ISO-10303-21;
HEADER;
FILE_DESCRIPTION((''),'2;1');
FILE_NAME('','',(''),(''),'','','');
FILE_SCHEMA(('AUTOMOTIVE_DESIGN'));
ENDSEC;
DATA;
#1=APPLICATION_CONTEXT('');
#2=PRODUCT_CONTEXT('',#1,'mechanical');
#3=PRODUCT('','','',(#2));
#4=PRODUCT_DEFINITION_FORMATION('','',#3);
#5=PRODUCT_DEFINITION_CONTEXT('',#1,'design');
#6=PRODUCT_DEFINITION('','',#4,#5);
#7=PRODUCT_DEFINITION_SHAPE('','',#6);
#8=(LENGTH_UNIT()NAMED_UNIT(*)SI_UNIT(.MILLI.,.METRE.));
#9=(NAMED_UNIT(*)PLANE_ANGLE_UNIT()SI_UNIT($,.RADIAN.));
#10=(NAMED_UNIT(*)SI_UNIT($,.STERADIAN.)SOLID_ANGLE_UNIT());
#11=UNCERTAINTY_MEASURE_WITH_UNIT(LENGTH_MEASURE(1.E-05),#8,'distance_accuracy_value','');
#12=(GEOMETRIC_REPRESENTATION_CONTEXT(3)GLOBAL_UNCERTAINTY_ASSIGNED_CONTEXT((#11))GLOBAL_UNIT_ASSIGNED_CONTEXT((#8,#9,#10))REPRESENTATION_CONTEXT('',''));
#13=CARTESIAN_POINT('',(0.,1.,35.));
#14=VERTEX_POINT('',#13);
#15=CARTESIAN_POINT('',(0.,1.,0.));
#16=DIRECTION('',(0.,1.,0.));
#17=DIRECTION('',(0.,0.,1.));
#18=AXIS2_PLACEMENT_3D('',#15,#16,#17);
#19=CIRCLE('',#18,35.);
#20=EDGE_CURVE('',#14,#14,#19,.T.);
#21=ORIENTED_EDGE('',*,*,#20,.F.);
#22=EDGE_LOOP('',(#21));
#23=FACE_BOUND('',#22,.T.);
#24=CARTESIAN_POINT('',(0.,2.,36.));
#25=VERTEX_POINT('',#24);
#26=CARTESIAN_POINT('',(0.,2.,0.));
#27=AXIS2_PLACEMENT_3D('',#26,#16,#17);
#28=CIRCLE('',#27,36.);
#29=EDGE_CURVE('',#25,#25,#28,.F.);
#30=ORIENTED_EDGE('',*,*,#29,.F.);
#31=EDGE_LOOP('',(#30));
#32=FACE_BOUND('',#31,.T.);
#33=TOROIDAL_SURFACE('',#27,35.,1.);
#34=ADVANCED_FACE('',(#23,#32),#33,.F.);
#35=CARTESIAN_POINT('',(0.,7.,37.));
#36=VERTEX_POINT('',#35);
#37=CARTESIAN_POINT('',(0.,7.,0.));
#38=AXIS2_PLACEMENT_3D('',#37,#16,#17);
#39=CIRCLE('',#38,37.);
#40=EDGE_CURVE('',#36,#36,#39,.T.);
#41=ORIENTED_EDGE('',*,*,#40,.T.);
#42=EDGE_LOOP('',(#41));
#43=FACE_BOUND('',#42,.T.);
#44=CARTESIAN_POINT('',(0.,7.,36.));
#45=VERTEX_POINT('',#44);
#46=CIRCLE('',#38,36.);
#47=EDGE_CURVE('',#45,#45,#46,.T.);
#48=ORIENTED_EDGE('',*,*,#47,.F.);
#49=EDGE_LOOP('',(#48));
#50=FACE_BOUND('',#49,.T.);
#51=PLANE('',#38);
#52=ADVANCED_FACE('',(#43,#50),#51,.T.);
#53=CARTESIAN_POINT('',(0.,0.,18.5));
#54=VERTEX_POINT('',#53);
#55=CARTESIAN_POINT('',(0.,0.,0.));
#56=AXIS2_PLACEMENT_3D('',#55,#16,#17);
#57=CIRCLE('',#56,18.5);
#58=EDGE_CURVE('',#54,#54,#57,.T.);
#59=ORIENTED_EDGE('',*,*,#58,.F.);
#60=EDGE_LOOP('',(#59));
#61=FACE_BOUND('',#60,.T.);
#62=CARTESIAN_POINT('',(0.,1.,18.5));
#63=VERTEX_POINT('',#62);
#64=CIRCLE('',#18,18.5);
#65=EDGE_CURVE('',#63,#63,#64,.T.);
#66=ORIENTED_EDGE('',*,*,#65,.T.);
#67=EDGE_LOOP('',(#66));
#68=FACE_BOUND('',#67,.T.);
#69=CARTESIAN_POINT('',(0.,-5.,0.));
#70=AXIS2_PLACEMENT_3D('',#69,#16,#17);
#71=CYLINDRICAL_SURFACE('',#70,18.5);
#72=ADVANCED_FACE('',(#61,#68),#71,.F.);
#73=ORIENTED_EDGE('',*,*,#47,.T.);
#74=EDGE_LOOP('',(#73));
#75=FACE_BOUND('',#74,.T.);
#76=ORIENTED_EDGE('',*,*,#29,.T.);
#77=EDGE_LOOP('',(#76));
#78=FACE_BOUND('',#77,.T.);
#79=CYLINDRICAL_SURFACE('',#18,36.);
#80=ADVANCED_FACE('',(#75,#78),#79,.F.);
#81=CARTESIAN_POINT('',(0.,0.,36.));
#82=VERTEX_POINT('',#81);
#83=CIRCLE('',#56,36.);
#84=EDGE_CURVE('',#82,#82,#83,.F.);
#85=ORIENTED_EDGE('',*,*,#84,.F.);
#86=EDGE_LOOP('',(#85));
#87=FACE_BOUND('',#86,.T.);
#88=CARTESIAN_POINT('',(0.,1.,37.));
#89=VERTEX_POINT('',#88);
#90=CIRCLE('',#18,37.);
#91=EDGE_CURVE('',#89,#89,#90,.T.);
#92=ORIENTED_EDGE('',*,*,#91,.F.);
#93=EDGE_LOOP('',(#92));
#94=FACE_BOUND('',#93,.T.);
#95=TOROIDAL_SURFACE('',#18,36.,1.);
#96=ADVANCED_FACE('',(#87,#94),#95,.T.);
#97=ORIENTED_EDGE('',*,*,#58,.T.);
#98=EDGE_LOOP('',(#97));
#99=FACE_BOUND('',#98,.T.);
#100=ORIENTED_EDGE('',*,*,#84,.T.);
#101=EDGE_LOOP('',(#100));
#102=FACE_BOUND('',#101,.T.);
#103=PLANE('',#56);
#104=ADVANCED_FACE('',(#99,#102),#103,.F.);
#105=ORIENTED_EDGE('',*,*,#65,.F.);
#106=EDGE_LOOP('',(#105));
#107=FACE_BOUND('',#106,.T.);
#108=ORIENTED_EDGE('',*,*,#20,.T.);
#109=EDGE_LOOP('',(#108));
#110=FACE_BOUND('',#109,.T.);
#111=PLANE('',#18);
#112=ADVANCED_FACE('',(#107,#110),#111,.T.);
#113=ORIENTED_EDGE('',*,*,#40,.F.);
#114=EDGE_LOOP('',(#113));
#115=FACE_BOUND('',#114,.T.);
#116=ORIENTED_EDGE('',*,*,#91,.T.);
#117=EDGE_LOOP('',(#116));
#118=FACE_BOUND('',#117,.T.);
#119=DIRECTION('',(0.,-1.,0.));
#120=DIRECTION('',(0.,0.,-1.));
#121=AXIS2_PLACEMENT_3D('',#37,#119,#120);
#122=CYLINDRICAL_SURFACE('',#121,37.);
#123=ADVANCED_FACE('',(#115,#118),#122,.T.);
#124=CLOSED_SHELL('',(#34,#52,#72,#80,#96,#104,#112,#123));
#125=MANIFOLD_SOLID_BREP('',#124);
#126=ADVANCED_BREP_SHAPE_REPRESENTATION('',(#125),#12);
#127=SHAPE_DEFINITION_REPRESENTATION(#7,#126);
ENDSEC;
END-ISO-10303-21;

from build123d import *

# Parameters (mm, degrees)
SKETCH1_R           = 37
BOSS_EXTRUDE1_DEPTH = 7
SKETCH2_R           = 36
CUT_EXTRUDE1_DEPTH  = 6
SKETCH3_R           = 18.5
CUT_EXTRUDE2_DEPTH  = 6
FILLET1_R           = 1


with BuildPart() as part:
    # Sketch1 → Boss-Extrude1 (new body)
    with BuildSketch(Plane(origin=(0, 0, 0), x_dir=(1, 0, 0), z_dir=(0, 1, 0))):
        Circle(SKETCH1_R)
    extrude(amount=BOSS_EXTRUDE1_DEPTH)

    # Sketch2 → Cut-Extrude1 (cut)
    with BuildSketch(Plane(origin=(0, 7, 0), x_dir=(1, 0, 0), z_dir=(0, 1, 0))):
        Circle(SKETCH2_R)
    extrude(amount=-CUT_EXTRUDE1_DEPTH, mode=Mode.SUBTRACT)

    # Sketch3 → Cut-Extrude2 (cut)
    with BuildSketch(Plane(origin=(0, 1, 0), x_dir=(1, 0, 0), z_dir=(0, 1, 0))):
        Circle(SKETCH3_R)
    extrude(amount=-CUT_EXTRUDE2_DEPTH, mode=Mode.SUBTRACT)

    # Fillet1
    fillet1_edges = [part.edges().sort_by_distance(p)[0] for p in [
        (-37, 0, 0),
        (-36, 1, 0),
    ]]
    fillet(fillet1_edges, radius=FILLET1_R)


solid = part.part
